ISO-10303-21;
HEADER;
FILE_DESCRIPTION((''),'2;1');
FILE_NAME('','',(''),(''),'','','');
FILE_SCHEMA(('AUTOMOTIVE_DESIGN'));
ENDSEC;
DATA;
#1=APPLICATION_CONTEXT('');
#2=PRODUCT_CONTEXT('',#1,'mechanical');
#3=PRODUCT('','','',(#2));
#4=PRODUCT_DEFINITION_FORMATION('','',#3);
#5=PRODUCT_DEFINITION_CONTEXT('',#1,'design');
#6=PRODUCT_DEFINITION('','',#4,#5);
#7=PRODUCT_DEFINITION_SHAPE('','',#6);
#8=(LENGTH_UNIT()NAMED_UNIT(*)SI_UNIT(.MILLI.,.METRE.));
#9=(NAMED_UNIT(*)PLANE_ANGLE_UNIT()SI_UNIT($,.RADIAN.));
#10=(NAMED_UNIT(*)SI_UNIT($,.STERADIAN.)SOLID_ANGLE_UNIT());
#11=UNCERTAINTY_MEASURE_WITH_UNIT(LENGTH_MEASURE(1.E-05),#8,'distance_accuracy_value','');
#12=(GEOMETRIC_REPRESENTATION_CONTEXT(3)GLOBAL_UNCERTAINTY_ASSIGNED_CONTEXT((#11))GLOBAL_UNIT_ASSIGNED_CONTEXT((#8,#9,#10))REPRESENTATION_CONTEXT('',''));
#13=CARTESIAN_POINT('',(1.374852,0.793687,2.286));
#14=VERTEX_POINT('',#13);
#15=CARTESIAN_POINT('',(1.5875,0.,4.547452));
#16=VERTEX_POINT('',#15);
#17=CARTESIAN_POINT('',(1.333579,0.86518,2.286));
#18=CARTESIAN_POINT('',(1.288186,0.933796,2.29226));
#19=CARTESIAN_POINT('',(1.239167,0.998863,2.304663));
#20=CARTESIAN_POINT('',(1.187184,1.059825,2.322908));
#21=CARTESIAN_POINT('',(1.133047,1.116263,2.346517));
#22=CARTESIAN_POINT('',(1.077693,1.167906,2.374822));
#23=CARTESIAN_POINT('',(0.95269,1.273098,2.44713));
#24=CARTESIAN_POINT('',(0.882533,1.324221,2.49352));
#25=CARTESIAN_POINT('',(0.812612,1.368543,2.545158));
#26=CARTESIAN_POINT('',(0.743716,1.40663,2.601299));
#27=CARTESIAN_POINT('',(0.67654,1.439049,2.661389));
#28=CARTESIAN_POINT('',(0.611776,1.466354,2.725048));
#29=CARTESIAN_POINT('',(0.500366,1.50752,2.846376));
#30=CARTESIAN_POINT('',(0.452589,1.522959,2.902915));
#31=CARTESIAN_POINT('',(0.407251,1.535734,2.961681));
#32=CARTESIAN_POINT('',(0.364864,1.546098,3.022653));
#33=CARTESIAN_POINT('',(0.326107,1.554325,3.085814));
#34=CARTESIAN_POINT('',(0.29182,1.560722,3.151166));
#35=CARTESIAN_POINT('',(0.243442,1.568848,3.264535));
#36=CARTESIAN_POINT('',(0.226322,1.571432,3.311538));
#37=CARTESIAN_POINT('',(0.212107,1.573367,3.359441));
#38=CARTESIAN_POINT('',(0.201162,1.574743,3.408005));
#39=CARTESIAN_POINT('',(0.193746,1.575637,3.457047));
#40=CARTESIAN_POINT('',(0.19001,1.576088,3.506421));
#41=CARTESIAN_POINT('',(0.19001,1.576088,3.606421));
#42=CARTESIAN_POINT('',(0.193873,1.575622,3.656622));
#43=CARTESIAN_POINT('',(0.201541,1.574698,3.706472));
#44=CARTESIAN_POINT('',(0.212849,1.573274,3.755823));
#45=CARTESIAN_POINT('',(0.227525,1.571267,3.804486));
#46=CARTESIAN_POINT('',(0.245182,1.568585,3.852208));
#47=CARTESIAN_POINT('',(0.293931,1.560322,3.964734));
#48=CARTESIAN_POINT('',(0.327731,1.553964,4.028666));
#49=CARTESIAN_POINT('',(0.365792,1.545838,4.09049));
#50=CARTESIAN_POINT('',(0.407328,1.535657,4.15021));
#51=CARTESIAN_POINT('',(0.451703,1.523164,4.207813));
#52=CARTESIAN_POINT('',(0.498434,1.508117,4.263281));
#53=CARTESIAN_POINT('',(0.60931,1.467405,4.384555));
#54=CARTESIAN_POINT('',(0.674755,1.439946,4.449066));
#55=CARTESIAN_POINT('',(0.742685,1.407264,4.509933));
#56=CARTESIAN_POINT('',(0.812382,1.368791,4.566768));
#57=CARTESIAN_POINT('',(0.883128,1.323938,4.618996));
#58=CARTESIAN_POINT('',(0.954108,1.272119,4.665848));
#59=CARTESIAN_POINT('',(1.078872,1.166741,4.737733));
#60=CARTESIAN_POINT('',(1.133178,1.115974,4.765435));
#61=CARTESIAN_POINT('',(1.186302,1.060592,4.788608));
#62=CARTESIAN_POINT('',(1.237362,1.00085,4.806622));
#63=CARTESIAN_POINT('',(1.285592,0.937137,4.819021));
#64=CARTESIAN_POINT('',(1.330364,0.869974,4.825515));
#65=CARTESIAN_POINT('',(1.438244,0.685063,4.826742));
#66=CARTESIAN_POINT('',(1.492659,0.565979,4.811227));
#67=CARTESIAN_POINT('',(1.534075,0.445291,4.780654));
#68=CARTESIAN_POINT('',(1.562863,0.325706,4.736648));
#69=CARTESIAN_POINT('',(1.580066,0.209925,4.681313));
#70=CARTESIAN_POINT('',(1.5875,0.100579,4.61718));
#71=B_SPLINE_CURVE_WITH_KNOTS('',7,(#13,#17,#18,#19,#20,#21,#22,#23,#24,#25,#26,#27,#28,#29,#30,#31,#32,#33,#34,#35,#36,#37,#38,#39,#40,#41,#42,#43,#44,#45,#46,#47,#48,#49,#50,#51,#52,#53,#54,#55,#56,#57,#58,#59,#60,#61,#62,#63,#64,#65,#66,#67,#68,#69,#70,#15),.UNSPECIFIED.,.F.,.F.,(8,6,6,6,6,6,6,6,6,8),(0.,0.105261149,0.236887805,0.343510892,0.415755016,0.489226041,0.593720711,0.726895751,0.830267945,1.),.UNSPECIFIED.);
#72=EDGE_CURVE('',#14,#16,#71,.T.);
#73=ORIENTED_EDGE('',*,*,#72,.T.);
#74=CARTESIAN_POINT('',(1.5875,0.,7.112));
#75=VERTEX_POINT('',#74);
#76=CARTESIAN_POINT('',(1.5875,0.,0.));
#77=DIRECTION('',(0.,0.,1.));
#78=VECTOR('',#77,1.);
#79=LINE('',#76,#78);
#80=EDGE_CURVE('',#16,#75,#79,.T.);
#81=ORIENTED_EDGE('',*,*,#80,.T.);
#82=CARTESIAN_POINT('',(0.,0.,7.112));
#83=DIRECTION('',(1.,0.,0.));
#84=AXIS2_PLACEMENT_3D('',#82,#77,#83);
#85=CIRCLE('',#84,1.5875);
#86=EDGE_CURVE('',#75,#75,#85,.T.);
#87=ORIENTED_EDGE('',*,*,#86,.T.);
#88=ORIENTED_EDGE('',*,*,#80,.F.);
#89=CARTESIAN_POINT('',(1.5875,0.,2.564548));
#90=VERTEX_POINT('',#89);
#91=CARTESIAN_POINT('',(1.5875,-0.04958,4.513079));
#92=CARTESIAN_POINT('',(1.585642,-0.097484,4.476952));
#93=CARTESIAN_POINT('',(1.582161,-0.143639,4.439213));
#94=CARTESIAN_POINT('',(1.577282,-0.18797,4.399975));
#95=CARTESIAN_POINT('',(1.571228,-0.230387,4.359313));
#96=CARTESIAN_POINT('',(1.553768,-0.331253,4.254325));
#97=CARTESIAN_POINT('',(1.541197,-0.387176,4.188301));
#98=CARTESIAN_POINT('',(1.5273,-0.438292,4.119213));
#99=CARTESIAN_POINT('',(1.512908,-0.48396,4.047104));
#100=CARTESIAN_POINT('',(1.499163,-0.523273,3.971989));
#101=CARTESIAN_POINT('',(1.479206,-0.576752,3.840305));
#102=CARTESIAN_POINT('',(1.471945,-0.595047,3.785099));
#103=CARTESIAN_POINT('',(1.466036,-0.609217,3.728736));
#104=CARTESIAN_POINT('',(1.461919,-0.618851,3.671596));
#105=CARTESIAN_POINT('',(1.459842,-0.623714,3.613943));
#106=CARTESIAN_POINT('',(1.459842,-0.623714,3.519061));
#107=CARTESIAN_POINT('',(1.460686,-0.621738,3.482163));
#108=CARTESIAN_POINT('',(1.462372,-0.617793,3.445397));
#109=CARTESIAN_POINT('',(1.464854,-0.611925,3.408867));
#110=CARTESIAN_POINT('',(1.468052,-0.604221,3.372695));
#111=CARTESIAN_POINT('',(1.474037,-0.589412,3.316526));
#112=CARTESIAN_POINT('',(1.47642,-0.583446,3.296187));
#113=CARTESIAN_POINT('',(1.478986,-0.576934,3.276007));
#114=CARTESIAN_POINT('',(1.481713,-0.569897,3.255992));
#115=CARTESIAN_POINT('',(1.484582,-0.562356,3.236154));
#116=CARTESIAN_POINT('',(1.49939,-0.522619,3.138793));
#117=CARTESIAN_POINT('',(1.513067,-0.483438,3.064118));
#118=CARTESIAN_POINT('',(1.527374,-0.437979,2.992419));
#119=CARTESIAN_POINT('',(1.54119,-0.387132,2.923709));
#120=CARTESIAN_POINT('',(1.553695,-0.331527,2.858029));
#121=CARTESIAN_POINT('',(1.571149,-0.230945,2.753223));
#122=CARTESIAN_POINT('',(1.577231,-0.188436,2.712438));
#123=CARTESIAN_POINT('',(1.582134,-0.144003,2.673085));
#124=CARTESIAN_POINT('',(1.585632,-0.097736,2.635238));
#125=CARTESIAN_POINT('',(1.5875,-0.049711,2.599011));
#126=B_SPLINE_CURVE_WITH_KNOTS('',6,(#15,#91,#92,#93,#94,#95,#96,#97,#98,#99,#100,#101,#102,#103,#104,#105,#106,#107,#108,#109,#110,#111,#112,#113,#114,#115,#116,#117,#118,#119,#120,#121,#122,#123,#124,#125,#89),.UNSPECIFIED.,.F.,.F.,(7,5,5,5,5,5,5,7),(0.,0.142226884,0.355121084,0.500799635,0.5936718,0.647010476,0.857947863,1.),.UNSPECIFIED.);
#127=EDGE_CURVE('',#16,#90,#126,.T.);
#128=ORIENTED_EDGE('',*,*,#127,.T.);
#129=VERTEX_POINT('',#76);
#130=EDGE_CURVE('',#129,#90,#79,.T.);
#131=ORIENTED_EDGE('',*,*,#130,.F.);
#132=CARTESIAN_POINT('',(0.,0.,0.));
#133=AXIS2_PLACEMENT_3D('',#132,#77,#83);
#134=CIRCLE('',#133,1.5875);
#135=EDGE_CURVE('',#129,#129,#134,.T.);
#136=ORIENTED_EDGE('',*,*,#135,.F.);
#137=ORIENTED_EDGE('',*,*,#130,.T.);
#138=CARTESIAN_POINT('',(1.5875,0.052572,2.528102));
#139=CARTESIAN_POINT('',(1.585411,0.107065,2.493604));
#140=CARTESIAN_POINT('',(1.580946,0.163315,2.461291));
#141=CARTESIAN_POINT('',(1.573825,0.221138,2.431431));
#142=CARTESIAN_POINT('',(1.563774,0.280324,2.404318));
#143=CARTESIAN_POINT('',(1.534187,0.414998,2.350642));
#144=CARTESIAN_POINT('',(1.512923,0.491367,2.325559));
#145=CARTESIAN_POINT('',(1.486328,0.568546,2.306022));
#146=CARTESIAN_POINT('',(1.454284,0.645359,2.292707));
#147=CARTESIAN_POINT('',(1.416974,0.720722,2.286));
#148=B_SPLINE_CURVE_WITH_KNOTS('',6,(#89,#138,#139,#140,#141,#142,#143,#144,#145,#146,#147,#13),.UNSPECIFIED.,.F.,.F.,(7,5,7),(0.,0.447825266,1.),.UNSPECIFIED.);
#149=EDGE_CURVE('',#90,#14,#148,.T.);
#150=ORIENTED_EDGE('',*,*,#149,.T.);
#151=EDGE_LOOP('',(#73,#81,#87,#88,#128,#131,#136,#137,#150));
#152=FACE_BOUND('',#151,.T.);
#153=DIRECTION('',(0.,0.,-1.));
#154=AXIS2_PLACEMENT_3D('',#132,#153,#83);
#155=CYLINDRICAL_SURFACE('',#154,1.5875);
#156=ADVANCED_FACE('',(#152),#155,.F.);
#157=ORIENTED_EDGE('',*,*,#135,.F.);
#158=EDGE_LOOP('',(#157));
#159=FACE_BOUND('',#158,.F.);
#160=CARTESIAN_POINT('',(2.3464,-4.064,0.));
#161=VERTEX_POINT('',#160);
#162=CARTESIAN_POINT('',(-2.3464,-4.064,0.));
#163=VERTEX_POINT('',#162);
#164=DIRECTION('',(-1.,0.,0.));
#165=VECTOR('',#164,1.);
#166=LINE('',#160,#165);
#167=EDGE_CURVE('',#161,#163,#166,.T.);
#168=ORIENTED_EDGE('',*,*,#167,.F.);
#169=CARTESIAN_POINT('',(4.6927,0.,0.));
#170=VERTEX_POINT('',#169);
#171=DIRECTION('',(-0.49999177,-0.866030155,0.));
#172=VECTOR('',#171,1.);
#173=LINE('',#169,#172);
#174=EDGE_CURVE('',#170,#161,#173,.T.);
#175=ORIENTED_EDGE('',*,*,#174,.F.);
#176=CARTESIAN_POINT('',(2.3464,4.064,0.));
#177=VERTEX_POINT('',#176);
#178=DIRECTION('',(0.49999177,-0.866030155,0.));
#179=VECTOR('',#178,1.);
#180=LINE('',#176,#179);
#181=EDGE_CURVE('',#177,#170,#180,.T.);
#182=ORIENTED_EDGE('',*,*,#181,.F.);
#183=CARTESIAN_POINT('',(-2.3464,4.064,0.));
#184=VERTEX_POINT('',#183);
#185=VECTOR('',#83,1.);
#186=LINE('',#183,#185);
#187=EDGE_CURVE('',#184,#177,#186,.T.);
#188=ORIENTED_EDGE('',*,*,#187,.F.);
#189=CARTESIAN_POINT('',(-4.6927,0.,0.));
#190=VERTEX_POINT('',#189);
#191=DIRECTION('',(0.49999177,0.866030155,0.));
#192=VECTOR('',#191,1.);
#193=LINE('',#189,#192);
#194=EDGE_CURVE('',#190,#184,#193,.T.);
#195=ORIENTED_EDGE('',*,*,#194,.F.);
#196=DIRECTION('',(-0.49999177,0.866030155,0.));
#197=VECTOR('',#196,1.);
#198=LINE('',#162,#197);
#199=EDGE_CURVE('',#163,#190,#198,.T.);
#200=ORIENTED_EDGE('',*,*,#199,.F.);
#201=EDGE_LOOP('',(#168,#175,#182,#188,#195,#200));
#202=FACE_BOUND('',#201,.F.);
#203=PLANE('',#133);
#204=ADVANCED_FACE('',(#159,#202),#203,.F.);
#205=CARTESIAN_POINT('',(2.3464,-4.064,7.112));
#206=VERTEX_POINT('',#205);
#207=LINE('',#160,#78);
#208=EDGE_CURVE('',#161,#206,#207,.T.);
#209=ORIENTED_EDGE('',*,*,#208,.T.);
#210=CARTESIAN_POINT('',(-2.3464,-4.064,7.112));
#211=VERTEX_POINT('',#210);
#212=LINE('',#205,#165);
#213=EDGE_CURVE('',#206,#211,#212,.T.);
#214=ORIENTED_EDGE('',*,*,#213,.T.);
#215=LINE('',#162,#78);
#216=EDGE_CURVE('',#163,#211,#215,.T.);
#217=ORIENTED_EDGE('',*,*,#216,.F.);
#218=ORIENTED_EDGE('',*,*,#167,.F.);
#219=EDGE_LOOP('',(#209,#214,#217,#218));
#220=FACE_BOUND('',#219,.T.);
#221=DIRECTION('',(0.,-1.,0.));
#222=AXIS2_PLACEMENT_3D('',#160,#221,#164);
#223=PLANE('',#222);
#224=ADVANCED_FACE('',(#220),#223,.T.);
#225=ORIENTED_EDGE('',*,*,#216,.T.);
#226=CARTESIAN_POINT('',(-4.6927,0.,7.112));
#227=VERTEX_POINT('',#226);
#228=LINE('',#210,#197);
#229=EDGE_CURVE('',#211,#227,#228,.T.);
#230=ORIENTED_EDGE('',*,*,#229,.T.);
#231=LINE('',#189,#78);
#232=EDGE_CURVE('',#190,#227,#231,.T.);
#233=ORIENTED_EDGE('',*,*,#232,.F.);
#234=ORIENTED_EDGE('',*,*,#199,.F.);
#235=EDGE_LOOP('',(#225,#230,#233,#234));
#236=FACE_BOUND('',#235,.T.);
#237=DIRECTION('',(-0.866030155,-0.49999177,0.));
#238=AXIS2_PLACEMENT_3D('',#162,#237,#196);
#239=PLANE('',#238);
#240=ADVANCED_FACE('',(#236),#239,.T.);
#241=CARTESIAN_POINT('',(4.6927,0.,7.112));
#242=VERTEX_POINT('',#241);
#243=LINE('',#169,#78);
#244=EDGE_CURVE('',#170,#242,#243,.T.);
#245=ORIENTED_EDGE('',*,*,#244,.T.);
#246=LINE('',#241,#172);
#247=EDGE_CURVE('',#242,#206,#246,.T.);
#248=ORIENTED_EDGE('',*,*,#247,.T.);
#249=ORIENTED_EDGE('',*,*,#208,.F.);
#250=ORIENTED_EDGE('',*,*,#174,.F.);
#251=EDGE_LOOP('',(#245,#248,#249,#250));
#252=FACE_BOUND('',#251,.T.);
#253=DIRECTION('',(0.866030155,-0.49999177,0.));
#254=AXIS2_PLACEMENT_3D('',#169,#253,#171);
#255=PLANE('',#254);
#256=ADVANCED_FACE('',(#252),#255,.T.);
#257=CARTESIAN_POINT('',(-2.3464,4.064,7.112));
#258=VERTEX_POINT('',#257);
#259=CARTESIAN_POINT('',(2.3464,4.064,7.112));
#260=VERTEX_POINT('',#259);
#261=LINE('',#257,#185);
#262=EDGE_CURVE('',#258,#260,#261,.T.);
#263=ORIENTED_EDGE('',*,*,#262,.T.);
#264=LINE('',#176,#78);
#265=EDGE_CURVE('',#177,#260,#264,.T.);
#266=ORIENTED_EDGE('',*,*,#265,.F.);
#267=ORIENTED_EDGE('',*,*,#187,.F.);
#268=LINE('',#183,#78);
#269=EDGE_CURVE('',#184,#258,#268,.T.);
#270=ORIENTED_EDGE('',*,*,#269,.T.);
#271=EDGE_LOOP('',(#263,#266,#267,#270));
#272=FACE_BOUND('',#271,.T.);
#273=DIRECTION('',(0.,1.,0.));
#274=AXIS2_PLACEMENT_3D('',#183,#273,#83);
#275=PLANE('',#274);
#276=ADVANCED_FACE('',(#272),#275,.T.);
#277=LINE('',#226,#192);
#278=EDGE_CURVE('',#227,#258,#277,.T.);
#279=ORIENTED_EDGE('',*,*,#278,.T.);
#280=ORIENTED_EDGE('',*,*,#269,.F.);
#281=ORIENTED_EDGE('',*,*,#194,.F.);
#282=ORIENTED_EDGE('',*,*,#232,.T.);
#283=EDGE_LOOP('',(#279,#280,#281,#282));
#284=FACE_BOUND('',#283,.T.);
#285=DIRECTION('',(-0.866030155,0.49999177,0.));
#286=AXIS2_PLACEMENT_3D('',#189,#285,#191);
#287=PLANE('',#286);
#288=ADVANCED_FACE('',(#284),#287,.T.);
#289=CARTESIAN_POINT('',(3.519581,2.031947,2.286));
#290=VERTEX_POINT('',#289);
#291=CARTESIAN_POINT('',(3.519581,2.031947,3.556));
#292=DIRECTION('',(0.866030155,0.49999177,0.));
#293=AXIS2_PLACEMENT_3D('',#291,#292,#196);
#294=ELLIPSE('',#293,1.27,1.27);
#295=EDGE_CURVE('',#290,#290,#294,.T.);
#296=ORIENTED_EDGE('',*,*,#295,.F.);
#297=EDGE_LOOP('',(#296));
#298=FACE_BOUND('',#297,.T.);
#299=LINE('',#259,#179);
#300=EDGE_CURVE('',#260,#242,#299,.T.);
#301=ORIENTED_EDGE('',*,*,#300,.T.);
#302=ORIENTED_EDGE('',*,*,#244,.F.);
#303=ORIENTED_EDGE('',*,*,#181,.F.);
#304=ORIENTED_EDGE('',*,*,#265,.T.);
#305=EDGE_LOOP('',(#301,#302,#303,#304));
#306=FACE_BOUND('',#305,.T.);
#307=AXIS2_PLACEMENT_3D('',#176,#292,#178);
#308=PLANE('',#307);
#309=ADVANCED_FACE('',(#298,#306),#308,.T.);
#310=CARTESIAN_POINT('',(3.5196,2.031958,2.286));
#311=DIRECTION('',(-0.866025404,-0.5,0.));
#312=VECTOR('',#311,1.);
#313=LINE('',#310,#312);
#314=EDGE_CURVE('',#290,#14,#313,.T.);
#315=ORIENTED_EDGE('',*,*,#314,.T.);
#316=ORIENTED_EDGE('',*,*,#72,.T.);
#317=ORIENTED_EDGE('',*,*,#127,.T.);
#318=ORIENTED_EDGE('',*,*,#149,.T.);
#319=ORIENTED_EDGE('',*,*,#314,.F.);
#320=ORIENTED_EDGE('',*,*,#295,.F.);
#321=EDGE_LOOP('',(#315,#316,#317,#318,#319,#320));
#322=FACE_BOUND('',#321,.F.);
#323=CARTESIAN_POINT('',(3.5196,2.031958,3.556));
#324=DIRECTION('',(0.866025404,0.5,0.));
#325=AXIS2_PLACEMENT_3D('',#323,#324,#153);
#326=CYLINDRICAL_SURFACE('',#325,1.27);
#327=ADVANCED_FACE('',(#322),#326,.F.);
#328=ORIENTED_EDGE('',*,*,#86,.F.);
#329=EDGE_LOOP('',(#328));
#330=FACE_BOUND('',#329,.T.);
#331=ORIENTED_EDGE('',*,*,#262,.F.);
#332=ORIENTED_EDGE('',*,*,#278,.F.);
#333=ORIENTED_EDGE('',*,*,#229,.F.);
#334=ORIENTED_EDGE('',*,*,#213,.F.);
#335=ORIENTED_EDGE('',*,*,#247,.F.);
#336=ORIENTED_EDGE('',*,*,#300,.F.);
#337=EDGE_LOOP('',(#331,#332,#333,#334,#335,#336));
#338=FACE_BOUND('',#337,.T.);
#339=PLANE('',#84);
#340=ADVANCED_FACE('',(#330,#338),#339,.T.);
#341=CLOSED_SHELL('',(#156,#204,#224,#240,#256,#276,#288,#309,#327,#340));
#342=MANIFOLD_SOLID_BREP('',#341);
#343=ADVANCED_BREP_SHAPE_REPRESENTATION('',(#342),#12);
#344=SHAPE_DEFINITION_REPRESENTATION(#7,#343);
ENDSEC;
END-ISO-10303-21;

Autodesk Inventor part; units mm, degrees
ref_plane "YZ Plane" through (0, 0, 0) normal (1, 0, 0) x (0, 1, 0)
ref_plane "XZ Plane" through (0, 0, 0) normal (0, 1, 0) x (-1, 0, 0)
ref_plane "XY Plane" through (0, 0, 0) normal (0, 0, 1) x (1, 0, 0)
sketch "Sketch1" plane through (0, 0, 0) normal (0, 0, 1) x (1, 0, 0)
  circle A0 centre (0, 0) radius 1.5875
  line L0 (-4.6927, 0) -> (-2.3464, 4.064)
  line L1 (-2.3464, 4.064) -> (2.3464, 4.064)
  line L2 (2.3464, 4.064) -> (4.6927, 0)
  line L3 (4.6927, 0) -> (2.3464, -4.064)
  line L4 (2.3464, -4.064) -> (-2.3464, -4.064)
  line L5 (-2.3464, -4.064) -> (-4.6927, 0)
  dimension "d0" = 3.175
  dimension "d1" = 8.128
extrude "Extrusion1" add sketch "Sketch1" along normal blind 7.112
sketch "Sketch2" plane through (2.3464, 4.064, 7.112) normal (0.866, 0.5, 0) x (0, 0, -1)
  circle A0 centre (3.556, -2.3464) radius 1.27
  line L0 (0, -4.6927) -> (0, 0) projected
  line L1 (7.112, 0) -> (7.112, -4.6927) projected
  line L2 (7.112, 0) -> (0, 0) projected
  line L3 (0, -4.6927) -> (0, 0) projected
  line L4 (7.112, -4.6927) -> (0, -4.6927) projected
  line L5 (3.556, -2.3464) -> (3.556, 0) construction
  line L6 (7.112, 0) -> (0, 0) construction
  line L7 (3.556, -2.3464) -> (3.556, -4.6927) construction
  line L8 (7.112, -4.6927) -> (0, -4.6927) construction
  line L9 (3.556, -2.3464) -> (0, -2.3464) construction
  line L10 (3.556, -2.3464) -> (7.112, -2.3464) construction
  line L11 (7.112, -4.6927) -> (7.112, 0) construction
  dimension "d4" = 2.54
extrude "Extrusion2" cut sketch "Sketch2" against normal up to next contours A0
properties part number ".125InchShaftHexNut" material "Brass, Soft Yellow"
